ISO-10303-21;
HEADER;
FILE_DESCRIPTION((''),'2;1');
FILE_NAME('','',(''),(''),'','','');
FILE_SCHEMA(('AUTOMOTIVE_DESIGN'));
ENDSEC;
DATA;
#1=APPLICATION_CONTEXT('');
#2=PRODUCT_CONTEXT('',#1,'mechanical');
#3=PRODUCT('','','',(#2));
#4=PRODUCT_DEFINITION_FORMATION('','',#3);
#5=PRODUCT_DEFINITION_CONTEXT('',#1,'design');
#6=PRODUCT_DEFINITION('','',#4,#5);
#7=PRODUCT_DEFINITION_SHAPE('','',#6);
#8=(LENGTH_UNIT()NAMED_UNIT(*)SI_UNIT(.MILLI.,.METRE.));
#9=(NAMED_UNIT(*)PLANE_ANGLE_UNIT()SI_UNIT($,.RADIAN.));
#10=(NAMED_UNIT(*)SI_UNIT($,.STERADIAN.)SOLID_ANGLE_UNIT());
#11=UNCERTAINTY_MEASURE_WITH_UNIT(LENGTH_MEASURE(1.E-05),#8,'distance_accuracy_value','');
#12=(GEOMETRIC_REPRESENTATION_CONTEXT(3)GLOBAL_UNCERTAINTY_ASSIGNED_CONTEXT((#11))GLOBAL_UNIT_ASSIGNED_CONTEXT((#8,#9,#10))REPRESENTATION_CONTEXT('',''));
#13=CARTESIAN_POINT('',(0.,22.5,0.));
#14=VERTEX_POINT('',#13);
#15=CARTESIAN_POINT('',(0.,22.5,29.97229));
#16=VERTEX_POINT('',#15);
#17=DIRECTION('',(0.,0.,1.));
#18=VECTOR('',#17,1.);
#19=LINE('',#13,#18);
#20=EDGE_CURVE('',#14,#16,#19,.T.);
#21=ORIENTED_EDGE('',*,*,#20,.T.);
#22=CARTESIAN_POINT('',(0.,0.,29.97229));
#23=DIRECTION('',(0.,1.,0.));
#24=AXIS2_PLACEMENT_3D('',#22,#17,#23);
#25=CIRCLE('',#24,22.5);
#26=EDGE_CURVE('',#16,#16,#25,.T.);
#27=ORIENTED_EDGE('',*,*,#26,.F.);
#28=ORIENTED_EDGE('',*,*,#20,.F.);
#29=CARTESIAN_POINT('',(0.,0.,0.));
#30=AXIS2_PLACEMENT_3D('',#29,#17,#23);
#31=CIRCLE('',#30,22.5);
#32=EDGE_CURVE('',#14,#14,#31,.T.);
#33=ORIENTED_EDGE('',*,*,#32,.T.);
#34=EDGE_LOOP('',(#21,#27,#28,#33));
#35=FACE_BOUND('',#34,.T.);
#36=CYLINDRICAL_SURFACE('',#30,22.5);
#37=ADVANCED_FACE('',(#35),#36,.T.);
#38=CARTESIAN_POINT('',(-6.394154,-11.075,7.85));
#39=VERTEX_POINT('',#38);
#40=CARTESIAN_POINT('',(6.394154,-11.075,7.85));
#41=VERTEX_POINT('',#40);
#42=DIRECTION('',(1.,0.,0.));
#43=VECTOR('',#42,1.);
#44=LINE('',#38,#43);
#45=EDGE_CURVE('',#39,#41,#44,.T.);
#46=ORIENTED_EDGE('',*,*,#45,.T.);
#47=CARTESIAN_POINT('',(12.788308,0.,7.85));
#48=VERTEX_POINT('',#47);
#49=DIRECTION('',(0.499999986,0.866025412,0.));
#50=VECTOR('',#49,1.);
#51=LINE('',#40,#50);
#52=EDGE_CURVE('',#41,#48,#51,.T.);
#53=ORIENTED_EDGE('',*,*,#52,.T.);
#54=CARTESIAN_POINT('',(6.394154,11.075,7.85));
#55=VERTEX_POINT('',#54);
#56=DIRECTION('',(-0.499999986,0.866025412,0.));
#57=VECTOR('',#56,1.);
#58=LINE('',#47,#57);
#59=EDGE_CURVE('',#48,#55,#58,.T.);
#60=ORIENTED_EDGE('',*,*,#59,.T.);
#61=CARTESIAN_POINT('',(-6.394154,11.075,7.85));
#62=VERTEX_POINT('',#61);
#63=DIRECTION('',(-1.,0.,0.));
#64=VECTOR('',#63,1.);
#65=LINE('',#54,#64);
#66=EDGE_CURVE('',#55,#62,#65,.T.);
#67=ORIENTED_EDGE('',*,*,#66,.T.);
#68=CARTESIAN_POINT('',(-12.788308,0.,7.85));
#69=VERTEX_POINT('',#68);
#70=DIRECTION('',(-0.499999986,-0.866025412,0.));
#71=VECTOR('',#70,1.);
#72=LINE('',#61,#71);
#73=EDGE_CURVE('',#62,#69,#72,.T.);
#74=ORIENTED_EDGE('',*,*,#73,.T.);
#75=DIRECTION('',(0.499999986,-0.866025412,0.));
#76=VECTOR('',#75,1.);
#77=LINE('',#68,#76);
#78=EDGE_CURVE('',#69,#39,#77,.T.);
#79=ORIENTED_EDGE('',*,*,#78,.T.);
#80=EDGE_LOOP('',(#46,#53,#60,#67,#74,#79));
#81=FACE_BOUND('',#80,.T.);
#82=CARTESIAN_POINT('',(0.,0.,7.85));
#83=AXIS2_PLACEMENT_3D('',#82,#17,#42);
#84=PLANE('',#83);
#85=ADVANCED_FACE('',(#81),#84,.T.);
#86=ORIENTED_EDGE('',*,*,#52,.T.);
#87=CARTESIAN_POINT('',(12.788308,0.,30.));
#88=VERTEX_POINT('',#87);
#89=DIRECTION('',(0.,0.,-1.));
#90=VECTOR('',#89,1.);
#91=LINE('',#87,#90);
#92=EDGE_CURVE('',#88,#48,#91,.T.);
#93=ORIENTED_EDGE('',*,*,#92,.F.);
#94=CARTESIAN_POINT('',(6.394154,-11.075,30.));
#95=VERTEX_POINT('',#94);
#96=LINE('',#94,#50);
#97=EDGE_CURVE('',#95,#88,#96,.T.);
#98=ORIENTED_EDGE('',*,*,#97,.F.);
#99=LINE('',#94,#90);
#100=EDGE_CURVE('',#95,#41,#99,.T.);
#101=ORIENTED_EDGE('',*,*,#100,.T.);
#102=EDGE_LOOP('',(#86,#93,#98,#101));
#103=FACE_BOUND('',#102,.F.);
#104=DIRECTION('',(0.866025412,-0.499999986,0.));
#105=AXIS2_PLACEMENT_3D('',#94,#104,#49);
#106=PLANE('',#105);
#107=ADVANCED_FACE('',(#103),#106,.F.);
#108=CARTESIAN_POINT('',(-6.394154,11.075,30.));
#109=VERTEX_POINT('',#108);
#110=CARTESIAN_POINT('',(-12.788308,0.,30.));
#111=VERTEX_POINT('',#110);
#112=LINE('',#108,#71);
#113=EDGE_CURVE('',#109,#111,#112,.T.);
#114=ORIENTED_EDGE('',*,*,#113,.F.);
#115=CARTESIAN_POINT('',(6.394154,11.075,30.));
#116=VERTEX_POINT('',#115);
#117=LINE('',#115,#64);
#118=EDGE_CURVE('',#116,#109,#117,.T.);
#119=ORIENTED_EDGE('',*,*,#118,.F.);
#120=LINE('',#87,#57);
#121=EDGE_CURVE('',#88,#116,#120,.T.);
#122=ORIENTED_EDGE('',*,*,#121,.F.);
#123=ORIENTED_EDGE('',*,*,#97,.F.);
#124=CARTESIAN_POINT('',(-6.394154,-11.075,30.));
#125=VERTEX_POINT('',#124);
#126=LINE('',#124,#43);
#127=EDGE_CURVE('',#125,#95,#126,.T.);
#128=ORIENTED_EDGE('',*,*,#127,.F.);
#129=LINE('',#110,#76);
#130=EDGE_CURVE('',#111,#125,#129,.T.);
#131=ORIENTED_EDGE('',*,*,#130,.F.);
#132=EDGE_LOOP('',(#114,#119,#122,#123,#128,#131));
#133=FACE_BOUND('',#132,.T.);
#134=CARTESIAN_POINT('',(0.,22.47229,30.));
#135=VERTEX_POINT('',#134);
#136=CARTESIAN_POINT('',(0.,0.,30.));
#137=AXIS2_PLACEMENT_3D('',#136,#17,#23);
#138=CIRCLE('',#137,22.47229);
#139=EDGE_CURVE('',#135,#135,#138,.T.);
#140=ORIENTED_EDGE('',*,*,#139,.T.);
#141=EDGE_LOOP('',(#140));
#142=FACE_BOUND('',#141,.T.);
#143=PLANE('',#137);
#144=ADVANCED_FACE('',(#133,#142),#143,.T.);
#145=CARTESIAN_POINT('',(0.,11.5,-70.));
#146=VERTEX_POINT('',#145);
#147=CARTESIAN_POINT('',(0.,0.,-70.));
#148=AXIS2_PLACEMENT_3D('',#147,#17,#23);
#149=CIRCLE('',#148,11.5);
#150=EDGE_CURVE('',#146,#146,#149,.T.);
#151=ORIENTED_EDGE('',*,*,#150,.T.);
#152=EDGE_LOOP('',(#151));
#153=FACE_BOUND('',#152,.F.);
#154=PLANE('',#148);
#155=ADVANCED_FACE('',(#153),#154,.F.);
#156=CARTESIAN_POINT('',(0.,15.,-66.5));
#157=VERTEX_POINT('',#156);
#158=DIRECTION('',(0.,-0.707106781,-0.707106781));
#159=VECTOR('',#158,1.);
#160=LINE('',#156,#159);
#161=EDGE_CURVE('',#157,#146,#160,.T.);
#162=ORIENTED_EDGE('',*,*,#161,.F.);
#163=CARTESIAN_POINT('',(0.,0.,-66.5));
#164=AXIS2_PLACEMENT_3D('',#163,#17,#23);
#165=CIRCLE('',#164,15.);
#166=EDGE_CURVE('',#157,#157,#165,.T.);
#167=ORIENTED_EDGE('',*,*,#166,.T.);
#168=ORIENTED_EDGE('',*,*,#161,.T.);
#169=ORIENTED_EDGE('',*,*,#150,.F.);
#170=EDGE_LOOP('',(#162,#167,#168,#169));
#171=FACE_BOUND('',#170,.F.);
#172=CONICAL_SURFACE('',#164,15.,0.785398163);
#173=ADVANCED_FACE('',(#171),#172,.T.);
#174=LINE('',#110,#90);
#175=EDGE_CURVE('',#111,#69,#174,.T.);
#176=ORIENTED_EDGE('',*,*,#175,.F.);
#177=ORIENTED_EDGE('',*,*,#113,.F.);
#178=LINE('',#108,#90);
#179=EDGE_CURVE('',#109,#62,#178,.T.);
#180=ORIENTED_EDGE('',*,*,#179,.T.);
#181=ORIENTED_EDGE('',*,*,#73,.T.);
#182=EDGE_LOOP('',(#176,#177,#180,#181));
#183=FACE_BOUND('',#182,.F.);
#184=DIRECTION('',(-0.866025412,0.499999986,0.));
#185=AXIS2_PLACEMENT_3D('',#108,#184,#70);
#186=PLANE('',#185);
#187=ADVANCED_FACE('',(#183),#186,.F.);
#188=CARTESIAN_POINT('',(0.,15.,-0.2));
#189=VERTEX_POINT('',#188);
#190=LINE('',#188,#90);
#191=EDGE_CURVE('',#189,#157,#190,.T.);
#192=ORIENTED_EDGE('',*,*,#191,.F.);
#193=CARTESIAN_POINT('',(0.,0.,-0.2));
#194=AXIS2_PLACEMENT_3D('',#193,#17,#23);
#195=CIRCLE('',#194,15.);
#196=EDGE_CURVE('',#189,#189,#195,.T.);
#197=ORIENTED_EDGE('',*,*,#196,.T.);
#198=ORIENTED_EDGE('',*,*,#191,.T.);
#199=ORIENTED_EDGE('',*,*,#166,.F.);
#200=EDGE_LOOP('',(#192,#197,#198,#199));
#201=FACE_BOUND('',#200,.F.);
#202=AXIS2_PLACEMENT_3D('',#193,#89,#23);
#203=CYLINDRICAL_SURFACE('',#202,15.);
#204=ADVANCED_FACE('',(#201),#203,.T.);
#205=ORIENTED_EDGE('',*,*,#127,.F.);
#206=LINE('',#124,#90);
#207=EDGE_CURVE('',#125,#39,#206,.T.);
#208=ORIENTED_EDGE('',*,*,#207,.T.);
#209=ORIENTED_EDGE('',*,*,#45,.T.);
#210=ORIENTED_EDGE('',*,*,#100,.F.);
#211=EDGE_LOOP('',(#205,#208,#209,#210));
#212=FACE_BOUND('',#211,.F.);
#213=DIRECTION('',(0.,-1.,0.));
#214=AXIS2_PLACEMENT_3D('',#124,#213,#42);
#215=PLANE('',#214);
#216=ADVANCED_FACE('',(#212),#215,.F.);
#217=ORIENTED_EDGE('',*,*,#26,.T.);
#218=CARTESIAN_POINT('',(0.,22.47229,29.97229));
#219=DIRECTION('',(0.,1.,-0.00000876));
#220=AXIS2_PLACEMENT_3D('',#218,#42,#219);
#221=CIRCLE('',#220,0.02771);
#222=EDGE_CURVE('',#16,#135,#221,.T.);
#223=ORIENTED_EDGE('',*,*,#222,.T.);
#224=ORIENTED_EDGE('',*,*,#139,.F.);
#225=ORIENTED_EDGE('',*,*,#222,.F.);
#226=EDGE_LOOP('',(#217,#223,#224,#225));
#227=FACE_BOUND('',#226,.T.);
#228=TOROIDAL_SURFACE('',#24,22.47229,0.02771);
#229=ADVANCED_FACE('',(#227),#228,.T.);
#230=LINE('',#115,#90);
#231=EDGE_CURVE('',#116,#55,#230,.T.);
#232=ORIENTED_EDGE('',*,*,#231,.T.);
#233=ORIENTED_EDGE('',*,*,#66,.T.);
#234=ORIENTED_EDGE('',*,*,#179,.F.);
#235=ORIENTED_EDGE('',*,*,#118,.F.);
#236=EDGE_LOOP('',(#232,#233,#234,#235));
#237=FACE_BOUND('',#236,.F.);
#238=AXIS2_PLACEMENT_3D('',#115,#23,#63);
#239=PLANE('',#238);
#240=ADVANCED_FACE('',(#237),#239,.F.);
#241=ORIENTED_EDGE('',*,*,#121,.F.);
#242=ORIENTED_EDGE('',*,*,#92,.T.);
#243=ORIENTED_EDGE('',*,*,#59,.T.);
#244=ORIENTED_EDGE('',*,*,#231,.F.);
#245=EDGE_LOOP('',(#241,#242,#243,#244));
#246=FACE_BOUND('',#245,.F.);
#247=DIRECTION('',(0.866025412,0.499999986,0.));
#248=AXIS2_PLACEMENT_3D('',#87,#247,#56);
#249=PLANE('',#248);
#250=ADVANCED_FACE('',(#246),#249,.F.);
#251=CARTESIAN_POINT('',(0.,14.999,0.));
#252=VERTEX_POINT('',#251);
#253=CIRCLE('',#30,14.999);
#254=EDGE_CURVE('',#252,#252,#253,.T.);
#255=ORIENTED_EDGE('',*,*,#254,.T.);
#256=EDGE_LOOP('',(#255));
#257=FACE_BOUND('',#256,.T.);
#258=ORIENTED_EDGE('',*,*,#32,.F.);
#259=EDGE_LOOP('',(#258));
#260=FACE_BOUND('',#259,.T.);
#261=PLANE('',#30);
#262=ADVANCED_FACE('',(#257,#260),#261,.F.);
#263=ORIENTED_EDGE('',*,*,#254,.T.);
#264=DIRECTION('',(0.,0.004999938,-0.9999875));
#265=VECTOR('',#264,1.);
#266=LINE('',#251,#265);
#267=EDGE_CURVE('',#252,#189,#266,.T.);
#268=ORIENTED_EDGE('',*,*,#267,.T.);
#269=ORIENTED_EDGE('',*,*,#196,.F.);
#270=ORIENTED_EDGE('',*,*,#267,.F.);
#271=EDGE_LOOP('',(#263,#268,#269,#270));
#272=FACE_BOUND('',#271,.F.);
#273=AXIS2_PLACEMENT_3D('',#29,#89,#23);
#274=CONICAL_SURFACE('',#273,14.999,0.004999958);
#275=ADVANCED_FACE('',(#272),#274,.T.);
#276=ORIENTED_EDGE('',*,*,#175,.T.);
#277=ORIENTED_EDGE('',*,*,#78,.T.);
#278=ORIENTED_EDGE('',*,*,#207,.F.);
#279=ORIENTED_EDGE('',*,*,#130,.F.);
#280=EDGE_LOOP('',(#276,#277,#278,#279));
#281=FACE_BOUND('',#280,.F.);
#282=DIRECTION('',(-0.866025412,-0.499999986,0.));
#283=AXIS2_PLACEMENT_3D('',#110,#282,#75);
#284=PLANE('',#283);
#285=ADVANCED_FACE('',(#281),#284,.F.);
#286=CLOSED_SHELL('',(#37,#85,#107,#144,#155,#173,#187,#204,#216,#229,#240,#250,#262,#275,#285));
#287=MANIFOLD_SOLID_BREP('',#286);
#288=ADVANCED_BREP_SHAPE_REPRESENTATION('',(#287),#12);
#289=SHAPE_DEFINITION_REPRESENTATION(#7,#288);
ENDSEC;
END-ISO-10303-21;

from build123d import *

# Parameters (mm, degrees)
POCKET_DEPTH = 22.15


with BuildPart() as part:
    # Sketch → Revolve (revolve)
    with BuildSketch(Plane.YZ):
        with BuildLine():
            Line((14.999, 0), (22.5, 0))
            Line((22.5, 0), (22.5, 29.97229))
            ThreePointArc((22.5, 29.97229), (22.491884, 29.991884), (22.47229, 30))
            Line((22.47229, 30), (0, 30))
            Line((0, -70), (0, 30))
            Line((11.5, -70), (0, -70))
            Line((15, -66.5), (11.5, -70))
            Line((15, -0.2), (15, -66.5))
            Line((14.999, 0), (15, -0.2))
        make_face()
    revolve(axis=Axis((0, 0, 0), (0, 0, 1)))

    # Sketch001 → Pocket (cut)
    with BuildSketch(Plane.XY.offset(30)):
        Polygon((12.788308, 0), (6.394154, 11.075), (-6.394154, 11.075), (-12.788308, 0), (-6.394154, -11.075), (6.394154, -11.075), align=None)
    extrude(amount=-POCKET_DEPTH, mode=Mode.SUBTRACT)


solid = part.part
